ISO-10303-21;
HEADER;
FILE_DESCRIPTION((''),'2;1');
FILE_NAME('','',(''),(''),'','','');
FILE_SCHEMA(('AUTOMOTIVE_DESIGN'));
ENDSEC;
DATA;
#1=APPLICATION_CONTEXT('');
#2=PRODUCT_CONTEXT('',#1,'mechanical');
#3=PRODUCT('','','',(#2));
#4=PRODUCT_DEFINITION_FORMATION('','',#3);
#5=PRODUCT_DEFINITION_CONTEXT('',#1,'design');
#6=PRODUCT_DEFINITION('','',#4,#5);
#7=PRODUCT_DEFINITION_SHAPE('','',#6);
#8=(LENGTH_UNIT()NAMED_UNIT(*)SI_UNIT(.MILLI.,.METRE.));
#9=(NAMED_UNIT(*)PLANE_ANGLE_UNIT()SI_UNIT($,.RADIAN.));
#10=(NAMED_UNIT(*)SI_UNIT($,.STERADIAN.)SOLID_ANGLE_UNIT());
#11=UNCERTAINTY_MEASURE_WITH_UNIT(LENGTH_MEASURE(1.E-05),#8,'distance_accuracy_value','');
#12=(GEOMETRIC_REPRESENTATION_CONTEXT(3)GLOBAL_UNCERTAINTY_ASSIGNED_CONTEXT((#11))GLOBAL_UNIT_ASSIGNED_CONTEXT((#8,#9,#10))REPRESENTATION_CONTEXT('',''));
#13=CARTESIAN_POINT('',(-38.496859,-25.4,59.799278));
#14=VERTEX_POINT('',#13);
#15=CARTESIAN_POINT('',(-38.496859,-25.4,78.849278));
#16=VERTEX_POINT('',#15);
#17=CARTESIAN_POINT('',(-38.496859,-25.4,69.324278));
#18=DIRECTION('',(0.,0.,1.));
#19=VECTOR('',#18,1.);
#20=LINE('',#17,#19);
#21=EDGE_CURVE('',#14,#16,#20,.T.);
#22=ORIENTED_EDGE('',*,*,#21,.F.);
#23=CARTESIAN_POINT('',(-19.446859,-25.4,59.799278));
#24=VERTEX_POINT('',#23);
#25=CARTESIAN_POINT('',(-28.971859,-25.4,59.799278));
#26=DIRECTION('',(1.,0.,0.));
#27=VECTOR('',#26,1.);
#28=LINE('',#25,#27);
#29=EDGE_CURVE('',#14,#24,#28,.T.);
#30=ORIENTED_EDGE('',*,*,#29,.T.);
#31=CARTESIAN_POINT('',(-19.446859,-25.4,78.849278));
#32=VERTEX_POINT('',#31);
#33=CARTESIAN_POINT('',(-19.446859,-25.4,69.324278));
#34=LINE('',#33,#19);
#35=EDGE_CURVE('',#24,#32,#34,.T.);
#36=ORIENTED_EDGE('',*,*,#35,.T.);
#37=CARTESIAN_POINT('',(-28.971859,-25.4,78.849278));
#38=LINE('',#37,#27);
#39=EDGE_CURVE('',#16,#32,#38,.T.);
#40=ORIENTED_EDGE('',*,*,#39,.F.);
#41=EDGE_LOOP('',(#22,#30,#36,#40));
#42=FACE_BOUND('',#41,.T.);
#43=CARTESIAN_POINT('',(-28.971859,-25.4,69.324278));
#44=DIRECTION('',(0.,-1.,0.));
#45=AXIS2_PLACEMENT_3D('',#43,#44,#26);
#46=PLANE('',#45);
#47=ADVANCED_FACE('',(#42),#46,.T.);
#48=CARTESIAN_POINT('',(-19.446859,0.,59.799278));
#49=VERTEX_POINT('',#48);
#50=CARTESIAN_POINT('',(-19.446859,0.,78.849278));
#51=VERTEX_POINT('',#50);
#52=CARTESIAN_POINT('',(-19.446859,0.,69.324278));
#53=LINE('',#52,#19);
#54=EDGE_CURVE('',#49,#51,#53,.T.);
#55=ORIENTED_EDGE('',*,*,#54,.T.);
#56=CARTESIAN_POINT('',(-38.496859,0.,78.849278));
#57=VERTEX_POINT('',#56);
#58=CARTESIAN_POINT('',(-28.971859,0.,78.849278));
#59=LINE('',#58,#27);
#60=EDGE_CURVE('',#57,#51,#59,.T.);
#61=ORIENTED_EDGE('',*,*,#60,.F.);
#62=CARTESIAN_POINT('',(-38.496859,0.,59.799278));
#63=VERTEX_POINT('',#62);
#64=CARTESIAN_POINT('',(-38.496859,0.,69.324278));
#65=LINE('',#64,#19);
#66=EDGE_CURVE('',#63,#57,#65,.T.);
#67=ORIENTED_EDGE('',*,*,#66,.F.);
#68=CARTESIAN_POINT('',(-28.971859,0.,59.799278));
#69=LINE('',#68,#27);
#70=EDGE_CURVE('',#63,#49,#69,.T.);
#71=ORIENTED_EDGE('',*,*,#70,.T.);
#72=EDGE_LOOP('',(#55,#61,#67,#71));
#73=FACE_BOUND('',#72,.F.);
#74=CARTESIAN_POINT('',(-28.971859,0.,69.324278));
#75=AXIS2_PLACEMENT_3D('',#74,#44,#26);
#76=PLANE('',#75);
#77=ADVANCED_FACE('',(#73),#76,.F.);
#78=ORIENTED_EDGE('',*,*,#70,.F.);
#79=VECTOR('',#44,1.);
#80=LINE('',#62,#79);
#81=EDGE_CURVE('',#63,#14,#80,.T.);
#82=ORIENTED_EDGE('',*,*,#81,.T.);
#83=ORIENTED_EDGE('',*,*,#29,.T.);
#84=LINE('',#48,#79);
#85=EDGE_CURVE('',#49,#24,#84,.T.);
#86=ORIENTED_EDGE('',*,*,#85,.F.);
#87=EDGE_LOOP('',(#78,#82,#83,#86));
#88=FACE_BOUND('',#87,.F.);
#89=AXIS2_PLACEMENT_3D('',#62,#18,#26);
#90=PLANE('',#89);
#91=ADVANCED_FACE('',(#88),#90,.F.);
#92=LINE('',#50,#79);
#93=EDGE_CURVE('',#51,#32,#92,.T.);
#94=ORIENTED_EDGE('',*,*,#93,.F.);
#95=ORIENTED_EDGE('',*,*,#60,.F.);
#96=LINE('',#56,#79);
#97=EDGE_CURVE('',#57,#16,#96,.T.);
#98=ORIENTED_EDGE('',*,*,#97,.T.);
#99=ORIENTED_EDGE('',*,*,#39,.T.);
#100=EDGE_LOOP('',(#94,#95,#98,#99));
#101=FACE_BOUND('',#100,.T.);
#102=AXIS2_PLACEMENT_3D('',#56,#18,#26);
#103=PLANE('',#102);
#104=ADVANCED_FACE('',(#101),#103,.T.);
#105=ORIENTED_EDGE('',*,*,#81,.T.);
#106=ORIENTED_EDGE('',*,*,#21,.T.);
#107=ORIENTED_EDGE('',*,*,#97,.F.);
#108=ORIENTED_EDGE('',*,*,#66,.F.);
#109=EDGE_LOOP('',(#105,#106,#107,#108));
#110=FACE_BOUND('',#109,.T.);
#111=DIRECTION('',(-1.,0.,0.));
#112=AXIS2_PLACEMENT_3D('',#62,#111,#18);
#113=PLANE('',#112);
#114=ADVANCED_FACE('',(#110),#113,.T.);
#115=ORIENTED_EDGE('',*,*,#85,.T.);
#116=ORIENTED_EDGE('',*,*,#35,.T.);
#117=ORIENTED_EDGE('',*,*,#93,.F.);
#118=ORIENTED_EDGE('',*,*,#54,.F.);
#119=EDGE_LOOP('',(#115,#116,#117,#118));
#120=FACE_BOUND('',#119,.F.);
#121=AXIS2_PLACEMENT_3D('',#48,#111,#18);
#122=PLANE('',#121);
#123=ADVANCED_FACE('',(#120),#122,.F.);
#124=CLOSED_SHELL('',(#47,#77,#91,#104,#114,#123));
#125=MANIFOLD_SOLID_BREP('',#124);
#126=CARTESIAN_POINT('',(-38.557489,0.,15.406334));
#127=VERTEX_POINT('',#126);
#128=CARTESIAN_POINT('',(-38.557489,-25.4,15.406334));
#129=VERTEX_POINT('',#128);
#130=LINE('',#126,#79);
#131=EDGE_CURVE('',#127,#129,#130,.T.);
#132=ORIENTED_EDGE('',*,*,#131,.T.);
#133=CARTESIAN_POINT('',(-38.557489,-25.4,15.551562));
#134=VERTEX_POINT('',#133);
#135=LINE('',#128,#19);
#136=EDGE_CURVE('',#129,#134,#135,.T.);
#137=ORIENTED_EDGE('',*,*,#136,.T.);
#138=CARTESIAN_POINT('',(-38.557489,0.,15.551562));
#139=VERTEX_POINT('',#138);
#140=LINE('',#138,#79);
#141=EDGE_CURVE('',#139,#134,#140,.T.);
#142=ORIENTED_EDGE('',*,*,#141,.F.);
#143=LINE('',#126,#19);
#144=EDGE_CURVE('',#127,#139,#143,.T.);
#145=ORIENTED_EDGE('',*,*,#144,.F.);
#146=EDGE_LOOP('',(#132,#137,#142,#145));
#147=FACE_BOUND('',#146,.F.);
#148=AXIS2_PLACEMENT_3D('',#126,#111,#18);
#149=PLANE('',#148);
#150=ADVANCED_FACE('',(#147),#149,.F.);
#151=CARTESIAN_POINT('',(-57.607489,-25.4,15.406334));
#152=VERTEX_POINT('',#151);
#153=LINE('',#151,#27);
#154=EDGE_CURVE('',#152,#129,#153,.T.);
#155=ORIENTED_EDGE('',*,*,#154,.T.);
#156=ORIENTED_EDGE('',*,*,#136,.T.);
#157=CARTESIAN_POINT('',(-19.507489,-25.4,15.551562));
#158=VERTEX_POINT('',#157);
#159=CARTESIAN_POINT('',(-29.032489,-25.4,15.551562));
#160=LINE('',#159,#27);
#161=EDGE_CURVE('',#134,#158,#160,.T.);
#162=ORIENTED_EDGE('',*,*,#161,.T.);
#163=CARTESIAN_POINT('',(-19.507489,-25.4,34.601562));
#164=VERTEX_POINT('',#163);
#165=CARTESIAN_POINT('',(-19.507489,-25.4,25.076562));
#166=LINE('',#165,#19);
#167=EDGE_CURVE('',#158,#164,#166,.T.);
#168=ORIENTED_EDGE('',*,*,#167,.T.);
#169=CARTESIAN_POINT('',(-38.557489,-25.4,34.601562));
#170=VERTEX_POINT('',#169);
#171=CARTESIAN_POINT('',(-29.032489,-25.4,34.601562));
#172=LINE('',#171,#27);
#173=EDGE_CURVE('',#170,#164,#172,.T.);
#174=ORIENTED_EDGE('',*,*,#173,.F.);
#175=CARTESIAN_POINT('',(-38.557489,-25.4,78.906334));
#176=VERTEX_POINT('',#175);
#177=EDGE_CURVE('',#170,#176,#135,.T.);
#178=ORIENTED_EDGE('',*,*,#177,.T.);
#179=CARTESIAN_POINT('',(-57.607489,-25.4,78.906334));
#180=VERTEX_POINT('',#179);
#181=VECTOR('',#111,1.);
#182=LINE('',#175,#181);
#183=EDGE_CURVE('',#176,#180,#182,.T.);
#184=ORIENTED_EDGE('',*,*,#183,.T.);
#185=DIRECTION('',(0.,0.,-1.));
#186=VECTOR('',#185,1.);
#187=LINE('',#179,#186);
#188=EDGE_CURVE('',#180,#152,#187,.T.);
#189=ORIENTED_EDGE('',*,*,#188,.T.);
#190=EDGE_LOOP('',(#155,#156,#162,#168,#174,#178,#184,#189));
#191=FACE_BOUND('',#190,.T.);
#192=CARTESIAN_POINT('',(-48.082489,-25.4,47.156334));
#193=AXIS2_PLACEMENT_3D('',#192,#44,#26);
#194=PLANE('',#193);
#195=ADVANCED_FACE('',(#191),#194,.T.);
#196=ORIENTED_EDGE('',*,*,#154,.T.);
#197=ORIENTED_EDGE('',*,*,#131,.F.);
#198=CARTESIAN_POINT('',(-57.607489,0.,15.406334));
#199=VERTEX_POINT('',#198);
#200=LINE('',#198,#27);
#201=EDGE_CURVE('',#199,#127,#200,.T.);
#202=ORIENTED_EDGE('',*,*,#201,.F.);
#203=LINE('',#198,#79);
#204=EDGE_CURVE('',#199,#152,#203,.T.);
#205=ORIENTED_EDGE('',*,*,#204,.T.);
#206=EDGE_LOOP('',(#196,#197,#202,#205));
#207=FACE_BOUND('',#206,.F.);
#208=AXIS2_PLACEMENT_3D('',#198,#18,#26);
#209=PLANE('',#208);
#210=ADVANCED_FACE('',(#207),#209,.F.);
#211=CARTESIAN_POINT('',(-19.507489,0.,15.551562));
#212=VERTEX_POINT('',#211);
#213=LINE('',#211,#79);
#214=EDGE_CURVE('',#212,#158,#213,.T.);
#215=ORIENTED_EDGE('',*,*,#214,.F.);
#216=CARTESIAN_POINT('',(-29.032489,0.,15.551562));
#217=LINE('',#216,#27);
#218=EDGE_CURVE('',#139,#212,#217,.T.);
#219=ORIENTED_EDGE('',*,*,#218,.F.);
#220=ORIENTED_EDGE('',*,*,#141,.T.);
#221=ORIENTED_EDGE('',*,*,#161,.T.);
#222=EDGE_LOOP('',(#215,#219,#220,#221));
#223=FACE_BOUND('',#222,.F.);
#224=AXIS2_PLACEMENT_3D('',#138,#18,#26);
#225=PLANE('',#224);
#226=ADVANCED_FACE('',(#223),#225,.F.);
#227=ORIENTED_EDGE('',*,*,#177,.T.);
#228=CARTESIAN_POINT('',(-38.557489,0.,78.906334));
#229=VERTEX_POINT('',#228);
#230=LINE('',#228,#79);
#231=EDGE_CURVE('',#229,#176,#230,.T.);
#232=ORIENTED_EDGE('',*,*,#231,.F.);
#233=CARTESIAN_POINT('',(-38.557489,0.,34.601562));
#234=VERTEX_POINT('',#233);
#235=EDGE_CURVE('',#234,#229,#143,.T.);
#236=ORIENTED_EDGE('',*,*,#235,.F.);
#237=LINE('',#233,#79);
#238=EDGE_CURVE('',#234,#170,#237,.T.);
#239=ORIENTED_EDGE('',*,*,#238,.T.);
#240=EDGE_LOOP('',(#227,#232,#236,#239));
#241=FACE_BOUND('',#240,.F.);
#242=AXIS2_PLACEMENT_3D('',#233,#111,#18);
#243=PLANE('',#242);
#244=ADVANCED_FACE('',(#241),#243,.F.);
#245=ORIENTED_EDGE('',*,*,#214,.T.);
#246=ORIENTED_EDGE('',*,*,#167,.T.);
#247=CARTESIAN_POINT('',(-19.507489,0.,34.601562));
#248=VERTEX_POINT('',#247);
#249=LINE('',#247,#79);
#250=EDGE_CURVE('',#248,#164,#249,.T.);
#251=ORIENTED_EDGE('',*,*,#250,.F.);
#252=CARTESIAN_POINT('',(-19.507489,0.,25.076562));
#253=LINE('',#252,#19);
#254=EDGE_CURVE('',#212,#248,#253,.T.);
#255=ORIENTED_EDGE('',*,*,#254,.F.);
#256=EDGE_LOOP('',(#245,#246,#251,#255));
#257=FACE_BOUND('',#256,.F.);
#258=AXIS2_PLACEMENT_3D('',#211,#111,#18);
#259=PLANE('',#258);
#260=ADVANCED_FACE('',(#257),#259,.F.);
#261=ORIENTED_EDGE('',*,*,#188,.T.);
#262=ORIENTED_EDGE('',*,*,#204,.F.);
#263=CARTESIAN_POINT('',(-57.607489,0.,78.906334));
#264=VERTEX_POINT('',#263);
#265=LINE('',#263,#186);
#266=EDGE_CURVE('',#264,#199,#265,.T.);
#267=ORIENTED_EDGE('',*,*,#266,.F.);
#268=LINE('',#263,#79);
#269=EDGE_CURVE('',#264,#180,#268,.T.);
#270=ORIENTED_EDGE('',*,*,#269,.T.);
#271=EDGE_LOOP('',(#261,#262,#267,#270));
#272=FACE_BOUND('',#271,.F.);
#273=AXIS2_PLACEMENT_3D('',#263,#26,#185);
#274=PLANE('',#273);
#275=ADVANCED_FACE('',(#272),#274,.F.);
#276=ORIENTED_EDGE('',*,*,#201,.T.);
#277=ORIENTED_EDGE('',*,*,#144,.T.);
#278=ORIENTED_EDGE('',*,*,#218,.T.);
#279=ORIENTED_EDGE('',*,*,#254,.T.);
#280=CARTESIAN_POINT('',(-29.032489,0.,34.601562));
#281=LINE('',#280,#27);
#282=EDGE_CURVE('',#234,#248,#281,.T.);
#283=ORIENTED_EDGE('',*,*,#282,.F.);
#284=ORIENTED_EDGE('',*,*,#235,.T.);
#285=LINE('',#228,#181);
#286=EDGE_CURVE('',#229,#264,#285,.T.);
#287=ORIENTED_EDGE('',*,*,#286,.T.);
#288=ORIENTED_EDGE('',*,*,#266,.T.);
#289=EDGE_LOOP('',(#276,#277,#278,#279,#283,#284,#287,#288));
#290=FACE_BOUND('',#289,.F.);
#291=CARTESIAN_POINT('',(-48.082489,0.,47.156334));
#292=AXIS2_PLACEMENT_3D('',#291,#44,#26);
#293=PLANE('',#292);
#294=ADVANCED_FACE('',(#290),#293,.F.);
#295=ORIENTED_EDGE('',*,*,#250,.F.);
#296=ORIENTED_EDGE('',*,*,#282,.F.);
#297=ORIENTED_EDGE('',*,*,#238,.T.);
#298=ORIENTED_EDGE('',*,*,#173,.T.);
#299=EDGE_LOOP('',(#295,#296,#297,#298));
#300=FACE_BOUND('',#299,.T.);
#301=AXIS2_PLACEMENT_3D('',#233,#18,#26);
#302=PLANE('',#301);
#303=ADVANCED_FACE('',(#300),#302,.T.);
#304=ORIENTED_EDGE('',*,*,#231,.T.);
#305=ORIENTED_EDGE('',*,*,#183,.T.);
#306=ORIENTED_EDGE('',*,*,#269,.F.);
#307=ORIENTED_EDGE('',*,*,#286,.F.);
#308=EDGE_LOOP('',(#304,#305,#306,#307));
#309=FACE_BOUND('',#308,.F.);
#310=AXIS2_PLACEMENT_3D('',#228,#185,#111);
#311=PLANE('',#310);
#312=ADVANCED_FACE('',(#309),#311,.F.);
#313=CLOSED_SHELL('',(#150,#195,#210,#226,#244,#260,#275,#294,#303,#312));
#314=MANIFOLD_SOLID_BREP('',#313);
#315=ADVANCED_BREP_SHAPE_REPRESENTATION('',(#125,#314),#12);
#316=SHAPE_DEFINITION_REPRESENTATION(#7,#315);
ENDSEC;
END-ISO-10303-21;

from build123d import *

# Parameters (mm, degrees)
F0_W     = 19.05
F0_H     = 19.05
F1_DEPTH = 25.4


with BuildPart() as f1:
    # F0 (on Front) → F1 (new body)
    with BuildSketch(Plane.XZ):
        Polygon((-57.607489, 15.406334), (-38.557489, 15.406334), (-38.557489, 15.551562), (-38.557489, 34.601562), (-38.557489, 78.906334), (-57.607489, 78.906334), align=None)
        with Locations((-29.032489, 25.076562)):
            Rectangle(F0_W, F0_H)
        with Locations((-28.971859, 69.324278)):
            Rectangle(F0_W, F0_H)
    extrude(amount=F1_DEPTH)


solid = f1.part
